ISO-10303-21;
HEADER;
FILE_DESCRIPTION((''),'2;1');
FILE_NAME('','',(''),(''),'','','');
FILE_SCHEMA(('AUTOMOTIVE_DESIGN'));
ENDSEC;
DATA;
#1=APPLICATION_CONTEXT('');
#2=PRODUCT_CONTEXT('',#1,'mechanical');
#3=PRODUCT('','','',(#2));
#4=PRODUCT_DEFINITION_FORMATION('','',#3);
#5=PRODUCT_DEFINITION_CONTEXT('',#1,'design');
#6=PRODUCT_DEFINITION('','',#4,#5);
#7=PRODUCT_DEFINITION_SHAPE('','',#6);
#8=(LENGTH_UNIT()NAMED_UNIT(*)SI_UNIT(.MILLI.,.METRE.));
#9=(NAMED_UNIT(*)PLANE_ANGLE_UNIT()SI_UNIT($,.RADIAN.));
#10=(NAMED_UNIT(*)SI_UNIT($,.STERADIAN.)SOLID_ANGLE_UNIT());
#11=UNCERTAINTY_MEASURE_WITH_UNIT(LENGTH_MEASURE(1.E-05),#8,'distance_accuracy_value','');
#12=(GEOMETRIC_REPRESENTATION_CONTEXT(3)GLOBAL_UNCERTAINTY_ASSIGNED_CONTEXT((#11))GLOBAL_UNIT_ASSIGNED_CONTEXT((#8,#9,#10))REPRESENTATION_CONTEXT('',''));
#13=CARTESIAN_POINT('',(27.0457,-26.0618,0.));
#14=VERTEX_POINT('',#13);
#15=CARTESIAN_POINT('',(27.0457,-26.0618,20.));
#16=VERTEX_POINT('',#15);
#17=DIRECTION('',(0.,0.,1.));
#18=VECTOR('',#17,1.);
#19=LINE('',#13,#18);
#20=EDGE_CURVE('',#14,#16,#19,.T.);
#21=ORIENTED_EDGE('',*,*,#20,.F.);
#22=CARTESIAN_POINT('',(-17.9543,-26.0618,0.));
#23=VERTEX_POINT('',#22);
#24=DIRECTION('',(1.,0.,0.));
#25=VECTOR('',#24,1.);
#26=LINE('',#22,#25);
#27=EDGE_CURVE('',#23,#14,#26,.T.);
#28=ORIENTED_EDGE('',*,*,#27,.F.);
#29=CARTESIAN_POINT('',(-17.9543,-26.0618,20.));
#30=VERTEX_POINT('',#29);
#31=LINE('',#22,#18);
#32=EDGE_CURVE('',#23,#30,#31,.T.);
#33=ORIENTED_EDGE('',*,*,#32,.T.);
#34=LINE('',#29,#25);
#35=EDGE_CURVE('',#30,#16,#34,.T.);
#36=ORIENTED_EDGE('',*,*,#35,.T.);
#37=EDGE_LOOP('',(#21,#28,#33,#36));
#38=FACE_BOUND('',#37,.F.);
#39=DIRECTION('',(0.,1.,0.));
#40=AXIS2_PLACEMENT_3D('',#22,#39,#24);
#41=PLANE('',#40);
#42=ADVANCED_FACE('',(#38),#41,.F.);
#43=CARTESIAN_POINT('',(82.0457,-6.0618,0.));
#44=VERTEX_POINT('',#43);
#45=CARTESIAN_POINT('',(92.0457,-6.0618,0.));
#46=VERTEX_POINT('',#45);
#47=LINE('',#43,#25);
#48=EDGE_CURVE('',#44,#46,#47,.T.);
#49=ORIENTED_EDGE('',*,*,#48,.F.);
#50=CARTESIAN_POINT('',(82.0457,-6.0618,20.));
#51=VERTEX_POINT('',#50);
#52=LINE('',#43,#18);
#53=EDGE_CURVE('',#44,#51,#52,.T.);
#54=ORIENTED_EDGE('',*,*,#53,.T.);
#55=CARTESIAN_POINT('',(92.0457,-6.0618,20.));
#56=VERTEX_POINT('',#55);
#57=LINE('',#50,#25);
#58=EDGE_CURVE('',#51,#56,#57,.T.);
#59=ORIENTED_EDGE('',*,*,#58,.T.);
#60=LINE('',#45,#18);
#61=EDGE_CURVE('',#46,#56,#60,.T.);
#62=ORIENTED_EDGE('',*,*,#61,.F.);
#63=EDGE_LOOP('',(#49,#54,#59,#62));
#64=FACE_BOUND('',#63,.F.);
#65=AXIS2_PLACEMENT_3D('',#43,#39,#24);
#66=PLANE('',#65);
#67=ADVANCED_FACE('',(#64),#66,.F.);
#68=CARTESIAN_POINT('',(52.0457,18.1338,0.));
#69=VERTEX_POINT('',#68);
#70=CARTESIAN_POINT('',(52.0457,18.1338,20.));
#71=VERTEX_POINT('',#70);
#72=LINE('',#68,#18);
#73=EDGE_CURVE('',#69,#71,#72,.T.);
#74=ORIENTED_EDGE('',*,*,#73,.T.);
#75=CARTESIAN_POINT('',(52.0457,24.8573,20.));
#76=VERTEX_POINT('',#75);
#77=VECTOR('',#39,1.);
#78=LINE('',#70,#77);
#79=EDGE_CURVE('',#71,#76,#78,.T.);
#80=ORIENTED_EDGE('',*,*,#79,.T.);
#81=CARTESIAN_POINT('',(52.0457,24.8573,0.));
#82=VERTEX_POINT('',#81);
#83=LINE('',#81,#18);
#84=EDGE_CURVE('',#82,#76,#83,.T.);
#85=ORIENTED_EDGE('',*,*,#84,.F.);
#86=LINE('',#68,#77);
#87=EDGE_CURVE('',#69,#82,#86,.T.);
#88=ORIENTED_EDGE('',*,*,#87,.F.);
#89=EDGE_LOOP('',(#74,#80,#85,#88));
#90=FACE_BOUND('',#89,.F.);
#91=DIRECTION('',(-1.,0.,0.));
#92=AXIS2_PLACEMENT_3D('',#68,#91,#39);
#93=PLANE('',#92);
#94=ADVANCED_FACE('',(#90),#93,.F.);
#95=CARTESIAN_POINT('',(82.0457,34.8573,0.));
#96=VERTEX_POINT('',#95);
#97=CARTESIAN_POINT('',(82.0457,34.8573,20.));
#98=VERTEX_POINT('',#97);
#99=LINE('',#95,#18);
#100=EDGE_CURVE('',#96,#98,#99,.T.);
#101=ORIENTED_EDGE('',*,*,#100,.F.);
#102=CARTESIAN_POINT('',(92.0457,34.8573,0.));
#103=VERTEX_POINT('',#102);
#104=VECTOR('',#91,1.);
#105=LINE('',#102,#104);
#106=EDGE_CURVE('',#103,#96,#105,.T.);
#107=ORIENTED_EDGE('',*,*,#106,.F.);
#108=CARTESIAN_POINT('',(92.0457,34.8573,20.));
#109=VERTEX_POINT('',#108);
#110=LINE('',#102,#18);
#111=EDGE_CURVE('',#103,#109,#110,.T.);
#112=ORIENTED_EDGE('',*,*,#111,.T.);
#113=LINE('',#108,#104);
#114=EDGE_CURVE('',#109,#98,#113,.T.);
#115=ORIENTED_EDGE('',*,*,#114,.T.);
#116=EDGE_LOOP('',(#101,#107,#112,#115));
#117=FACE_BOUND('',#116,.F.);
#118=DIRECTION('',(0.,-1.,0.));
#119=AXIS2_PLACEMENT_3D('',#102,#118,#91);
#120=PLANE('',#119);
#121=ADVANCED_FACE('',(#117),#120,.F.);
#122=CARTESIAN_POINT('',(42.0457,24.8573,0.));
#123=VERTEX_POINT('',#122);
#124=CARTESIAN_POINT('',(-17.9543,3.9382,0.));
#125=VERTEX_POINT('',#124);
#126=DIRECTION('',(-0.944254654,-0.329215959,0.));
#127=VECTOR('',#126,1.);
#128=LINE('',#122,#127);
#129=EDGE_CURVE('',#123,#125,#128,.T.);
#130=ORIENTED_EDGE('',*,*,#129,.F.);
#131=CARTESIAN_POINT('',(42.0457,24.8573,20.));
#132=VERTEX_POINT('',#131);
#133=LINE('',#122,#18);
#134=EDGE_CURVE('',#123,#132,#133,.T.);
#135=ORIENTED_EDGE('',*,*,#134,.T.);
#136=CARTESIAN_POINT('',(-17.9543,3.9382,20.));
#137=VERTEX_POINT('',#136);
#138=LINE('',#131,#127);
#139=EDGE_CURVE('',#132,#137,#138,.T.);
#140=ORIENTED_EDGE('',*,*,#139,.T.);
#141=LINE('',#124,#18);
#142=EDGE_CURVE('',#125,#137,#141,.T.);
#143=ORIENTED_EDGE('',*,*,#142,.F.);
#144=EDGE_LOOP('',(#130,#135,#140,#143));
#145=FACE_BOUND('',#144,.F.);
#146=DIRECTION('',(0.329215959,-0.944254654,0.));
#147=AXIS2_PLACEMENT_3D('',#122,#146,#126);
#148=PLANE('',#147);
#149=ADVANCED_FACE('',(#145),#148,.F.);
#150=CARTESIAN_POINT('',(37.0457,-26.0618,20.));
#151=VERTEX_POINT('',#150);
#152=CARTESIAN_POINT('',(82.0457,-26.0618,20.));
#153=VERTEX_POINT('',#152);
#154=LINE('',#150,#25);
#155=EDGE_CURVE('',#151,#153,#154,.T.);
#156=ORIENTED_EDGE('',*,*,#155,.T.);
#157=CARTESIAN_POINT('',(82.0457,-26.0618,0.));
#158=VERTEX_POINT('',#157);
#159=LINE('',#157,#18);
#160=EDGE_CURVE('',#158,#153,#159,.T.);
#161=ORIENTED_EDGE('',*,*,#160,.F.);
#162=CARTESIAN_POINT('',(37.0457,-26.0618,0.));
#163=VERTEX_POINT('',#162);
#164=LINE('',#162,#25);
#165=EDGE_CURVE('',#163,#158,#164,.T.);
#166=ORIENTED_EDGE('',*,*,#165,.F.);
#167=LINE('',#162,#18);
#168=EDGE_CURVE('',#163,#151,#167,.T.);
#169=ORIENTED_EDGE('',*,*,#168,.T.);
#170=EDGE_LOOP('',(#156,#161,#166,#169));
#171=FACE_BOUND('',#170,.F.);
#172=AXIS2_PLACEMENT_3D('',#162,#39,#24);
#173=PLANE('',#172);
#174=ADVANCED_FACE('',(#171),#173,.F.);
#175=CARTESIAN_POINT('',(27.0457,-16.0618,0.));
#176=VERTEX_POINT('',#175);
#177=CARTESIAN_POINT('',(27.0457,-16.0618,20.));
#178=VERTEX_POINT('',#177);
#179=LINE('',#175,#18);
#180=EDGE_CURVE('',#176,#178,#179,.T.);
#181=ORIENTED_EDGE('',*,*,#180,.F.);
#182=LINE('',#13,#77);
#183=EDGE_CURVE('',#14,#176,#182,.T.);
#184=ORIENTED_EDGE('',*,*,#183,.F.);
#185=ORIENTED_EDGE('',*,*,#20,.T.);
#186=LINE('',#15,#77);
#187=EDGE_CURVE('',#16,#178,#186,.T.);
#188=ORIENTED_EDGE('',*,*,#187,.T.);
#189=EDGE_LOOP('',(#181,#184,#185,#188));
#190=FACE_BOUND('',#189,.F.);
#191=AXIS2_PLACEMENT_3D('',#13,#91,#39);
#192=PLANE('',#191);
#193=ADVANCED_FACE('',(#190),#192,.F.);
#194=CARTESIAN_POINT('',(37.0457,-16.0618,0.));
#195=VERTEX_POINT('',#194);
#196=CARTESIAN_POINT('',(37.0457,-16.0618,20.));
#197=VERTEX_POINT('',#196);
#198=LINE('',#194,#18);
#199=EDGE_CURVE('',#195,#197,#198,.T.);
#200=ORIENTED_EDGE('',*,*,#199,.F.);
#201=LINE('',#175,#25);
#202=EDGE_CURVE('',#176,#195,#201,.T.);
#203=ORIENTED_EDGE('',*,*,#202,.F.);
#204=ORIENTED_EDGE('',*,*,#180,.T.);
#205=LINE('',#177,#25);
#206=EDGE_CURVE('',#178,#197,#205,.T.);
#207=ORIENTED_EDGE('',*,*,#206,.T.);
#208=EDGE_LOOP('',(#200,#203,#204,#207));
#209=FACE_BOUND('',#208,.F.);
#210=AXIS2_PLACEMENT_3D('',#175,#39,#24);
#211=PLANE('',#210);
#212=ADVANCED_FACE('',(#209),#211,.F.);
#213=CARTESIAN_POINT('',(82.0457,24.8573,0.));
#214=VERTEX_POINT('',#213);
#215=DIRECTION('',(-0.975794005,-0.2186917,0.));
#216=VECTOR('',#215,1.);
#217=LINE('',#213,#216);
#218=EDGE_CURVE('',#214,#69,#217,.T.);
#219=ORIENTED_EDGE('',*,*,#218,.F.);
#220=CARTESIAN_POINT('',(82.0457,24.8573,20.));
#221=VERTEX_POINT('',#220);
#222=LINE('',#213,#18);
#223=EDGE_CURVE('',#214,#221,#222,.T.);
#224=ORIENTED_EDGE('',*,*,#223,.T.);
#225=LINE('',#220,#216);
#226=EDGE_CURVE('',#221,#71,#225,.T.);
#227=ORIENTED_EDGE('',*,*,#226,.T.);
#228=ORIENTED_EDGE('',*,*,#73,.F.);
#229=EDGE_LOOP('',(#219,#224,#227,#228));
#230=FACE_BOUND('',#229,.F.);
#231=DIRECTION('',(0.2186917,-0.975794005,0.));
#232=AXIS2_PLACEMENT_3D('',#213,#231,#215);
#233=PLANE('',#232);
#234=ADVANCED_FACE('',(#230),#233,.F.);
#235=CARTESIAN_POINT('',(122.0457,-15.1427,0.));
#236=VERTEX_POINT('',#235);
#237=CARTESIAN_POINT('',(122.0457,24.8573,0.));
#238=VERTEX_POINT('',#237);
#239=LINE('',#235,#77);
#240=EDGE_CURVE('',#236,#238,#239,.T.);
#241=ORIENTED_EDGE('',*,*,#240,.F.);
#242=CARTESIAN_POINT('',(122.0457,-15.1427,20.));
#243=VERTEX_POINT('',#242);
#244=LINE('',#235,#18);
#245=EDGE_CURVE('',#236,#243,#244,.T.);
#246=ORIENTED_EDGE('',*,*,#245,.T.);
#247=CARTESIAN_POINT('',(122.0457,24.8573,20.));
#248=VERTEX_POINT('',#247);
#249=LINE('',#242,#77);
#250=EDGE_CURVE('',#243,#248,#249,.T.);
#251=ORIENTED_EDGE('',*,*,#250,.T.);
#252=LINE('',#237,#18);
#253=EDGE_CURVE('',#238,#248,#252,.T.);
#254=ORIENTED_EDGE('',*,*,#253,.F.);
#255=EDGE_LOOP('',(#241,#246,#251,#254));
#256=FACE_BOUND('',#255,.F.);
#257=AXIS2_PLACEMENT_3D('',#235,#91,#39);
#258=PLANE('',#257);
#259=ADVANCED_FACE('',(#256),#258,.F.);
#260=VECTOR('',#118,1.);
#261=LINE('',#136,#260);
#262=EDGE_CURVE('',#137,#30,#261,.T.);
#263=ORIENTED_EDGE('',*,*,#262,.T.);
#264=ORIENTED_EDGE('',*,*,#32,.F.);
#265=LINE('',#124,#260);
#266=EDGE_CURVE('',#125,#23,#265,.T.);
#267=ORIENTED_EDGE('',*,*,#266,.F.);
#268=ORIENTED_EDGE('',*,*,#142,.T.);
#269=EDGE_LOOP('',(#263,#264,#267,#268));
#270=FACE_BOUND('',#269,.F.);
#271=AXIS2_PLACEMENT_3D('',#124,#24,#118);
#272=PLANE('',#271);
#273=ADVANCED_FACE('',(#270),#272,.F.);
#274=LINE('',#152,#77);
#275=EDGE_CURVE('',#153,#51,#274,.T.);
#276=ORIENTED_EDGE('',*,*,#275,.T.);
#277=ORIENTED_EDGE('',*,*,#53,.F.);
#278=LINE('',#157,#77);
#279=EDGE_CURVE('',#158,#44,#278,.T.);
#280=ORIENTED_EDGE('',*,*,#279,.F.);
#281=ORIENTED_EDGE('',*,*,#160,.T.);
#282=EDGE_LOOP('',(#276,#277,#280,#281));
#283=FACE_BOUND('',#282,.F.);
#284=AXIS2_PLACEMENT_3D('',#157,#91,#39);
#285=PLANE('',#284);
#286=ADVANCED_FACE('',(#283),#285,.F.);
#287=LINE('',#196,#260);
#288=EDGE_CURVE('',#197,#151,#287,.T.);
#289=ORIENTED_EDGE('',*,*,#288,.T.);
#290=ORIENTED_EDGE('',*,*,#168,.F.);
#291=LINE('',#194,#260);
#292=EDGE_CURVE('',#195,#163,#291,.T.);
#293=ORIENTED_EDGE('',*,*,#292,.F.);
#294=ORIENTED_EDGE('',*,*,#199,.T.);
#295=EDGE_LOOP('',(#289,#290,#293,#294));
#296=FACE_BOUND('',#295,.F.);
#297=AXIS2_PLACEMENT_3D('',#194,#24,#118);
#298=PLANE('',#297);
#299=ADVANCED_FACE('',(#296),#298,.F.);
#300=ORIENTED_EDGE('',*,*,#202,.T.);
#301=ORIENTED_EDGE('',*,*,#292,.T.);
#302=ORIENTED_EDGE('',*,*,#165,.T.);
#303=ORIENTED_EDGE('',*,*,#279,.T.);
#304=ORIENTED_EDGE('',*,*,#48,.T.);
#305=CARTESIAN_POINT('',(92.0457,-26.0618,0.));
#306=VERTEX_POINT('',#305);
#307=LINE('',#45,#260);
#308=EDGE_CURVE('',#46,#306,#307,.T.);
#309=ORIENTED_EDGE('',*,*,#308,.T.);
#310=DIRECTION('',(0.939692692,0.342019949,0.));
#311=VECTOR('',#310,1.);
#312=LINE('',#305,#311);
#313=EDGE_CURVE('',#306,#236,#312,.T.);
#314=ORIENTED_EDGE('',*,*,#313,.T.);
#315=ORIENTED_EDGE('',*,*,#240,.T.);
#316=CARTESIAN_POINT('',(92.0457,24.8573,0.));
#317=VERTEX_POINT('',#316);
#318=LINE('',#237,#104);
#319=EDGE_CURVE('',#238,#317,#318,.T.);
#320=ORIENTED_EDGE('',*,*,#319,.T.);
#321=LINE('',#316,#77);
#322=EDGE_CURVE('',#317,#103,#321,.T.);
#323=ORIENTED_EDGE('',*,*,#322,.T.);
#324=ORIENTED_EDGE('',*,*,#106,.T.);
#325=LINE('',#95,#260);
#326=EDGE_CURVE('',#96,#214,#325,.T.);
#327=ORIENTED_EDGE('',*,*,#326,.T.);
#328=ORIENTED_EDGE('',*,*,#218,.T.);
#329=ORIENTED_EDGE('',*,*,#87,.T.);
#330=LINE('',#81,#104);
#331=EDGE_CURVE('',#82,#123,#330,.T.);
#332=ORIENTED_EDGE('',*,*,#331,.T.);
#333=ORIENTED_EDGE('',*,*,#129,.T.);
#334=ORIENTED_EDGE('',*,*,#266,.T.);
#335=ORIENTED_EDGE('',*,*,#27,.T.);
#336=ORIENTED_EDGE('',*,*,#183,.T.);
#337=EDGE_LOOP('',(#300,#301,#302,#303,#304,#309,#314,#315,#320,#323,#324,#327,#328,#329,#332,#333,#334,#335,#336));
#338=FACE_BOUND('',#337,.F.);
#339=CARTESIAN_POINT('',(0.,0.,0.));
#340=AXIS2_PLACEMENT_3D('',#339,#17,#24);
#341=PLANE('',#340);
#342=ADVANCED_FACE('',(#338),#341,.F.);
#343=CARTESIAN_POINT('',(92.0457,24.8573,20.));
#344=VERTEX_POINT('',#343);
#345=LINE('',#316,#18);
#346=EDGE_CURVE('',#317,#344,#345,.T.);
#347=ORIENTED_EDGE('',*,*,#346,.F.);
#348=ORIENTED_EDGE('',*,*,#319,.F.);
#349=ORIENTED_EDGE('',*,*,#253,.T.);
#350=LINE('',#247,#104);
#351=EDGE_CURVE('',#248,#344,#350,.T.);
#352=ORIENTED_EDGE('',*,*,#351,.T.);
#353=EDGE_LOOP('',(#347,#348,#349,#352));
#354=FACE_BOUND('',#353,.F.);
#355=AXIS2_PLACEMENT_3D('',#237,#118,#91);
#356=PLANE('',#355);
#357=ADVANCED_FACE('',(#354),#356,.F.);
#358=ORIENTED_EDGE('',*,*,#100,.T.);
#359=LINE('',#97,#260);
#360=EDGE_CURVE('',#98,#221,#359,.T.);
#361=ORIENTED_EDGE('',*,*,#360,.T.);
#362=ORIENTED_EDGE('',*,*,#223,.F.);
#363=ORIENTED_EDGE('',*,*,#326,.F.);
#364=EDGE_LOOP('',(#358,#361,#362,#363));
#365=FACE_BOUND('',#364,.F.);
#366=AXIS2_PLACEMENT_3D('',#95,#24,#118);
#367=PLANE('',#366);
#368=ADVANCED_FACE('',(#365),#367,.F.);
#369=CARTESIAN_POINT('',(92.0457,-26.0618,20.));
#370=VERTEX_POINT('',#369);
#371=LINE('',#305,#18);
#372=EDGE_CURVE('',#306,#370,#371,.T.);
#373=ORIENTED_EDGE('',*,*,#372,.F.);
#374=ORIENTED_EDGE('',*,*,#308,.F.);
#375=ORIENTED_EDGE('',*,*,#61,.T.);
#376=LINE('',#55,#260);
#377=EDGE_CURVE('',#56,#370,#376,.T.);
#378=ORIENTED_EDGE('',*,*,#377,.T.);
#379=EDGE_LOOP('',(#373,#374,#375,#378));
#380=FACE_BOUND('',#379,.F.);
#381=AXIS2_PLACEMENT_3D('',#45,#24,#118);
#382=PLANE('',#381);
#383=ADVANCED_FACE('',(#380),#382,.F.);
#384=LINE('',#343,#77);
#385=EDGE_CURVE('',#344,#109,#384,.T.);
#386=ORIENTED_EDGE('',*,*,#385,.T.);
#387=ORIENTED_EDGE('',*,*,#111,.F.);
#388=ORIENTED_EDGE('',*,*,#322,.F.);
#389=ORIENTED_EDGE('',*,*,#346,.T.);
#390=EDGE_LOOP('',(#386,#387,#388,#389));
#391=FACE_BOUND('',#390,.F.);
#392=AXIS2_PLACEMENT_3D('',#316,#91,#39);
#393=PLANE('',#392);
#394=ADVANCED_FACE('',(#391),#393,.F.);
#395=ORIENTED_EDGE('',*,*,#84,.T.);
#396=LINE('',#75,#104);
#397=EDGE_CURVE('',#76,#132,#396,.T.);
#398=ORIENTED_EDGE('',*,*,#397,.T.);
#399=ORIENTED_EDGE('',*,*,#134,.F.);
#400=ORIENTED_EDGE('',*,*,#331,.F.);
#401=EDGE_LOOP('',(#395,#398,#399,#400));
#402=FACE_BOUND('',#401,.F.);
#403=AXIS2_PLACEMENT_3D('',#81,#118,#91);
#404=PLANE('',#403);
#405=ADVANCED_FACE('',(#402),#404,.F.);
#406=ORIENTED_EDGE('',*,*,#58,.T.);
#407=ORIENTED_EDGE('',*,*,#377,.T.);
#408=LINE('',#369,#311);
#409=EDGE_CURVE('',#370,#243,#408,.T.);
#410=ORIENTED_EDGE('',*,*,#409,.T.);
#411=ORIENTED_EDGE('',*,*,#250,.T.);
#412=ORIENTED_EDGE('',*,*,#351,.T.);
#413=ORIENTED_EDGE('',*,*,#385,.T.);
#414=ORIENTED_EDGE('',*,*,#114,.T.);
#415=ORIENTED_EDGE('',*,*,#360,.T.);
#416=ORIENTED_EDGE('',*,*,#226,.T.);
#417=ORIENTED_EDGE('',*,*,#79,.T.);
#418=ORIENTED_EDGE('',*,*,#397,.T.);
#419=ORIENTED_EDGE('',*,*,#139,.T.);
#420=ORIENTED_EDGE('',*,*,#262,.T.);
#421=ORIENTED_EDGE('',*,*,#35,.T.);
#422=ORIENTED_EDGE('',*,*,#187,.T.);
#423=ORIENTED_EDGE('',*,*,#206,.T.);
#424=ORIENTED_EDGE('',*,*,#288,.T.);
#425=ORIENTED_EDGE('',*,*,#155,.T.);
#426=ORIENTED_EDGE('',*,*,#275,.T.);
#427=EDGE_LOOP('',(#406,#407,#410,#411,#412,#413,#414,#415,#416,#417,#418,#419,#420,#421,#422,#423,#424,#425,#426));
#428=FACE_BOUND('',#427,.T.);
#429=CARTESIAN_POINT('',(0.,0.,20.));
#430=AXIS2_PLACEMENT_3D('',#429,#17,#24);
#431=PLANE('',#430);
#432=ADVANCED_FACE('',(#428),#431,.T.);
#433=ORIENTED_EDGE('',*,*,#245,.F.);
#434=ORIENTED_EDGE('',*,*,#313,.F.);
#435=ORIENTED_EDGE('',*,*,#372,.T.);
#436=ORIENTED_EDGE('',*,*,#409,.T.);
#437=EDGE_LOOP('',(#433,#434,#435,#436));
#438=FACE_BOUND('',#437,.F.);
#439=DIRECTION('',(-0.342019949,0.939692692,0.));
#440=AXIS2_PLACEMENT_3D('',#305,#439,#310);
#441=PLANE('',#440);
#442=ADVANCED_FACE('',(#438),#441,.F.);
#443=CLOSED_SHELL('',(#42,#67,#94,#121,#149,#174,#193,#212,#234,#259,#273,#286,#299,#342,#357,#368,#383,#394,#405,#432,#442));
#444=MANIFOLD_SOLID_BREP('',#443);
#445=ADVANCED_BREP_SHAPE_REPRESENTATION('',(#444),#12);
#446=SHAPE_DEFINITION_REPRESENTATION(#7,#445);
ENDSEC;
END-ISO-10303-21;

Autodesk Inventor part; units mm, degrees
ref_plane "YZ Plane" through (0, 0, 0) normal (1, 0, 0) x (0, 1, 0)
ref_plane "XZ Plane" through (0, 0, 0) normal (0, 1, 0) x (-1, 0, 0)
ref_plane "XY Plane" through (0, 0, 0) normal (0, 0, 1) x (1, 0, 0)
sketch "스케치1" plane through (0, 0, 0) normal (0, 0, 1) x (1, 0, 0)
  line L0 (-17.9543, 3.9382) -> (-17.9543, -26.0618)
  line L1 (-17.9543, -26.0618) -> (27.0457, -26.0618)
  line L2 (27.0457, -26.0618) -> (27.0457, -16.0618)
  line L3 (27.0457, -16.0618) -> (37.0457, -16.0618)
  line L4 (37.0457, -16.0618) -> (37.0457, -26.0618)
  line L5 (37.0457, -26.0618) -> (82.0457, -26.0618)
  line L6 (82.0457, -26.0618) -> (82.0457, -6.0618)
  line L7 (82.0457, -6.0618) -> (92.0457, -6.0618)
  line L8 (92.0457, -6.0618) -> (92.0457, -26.0618)
  line L9 (92.0457, -26.0618) -> (122.0457, -15.1427)
  line L10 (122.0457, -15.1427) -> (122.0457, 24.8573)
  line L11 (122.0457, 24.8573) -> (92.0457, 24.8573)
  line L12 (92.0457, 24.8573) -> (92.0457, 34.8573)
  line L13 (92.0457, 34.8573) -> (82.0457, 34.8573)
  line L14 (82.0457, 34.8573) -> (82.0457, 24.8573)
  line L15 (82.0457, 24.8573) -> (52.0457, 18.1338)
  line L16 (52.0457, 18.1338) -> (52.0457, 24.8573)
  line L17 (52.0457, 24.8573) -> (42.0457, 24.8573)
  line L18 (42.0457, 24.8573) -> (-17.9543, 3.9382)
  point P0 (0, 0)
  dimension "d0" = 30
  dimension "d1" = 45
  dimension "d2" = 10
  dimension "d3" = 10
  dimension "d4" = 45
  dimension "d5" = 20
  dimension "d6" = 10
  dimension "d8" = 20
  dimension "d9" = 30
  dimension "d10" = 40
  dimension "d11" = 30
  dimension "d12" = 10
  dimension "d13" = 10
  dimension "d14" = 30
  dimension "d15" = 10
  dimension "d16" = 140
extrude "돌출1" add sketch "스케치1" along normal blind 20
sketch "스케치2" plane through (0, 0, 20) normal (0, 0, 1) x (1, 0, 0)
  point P0 (0, 0)
properties part number "240405_sketch2"
